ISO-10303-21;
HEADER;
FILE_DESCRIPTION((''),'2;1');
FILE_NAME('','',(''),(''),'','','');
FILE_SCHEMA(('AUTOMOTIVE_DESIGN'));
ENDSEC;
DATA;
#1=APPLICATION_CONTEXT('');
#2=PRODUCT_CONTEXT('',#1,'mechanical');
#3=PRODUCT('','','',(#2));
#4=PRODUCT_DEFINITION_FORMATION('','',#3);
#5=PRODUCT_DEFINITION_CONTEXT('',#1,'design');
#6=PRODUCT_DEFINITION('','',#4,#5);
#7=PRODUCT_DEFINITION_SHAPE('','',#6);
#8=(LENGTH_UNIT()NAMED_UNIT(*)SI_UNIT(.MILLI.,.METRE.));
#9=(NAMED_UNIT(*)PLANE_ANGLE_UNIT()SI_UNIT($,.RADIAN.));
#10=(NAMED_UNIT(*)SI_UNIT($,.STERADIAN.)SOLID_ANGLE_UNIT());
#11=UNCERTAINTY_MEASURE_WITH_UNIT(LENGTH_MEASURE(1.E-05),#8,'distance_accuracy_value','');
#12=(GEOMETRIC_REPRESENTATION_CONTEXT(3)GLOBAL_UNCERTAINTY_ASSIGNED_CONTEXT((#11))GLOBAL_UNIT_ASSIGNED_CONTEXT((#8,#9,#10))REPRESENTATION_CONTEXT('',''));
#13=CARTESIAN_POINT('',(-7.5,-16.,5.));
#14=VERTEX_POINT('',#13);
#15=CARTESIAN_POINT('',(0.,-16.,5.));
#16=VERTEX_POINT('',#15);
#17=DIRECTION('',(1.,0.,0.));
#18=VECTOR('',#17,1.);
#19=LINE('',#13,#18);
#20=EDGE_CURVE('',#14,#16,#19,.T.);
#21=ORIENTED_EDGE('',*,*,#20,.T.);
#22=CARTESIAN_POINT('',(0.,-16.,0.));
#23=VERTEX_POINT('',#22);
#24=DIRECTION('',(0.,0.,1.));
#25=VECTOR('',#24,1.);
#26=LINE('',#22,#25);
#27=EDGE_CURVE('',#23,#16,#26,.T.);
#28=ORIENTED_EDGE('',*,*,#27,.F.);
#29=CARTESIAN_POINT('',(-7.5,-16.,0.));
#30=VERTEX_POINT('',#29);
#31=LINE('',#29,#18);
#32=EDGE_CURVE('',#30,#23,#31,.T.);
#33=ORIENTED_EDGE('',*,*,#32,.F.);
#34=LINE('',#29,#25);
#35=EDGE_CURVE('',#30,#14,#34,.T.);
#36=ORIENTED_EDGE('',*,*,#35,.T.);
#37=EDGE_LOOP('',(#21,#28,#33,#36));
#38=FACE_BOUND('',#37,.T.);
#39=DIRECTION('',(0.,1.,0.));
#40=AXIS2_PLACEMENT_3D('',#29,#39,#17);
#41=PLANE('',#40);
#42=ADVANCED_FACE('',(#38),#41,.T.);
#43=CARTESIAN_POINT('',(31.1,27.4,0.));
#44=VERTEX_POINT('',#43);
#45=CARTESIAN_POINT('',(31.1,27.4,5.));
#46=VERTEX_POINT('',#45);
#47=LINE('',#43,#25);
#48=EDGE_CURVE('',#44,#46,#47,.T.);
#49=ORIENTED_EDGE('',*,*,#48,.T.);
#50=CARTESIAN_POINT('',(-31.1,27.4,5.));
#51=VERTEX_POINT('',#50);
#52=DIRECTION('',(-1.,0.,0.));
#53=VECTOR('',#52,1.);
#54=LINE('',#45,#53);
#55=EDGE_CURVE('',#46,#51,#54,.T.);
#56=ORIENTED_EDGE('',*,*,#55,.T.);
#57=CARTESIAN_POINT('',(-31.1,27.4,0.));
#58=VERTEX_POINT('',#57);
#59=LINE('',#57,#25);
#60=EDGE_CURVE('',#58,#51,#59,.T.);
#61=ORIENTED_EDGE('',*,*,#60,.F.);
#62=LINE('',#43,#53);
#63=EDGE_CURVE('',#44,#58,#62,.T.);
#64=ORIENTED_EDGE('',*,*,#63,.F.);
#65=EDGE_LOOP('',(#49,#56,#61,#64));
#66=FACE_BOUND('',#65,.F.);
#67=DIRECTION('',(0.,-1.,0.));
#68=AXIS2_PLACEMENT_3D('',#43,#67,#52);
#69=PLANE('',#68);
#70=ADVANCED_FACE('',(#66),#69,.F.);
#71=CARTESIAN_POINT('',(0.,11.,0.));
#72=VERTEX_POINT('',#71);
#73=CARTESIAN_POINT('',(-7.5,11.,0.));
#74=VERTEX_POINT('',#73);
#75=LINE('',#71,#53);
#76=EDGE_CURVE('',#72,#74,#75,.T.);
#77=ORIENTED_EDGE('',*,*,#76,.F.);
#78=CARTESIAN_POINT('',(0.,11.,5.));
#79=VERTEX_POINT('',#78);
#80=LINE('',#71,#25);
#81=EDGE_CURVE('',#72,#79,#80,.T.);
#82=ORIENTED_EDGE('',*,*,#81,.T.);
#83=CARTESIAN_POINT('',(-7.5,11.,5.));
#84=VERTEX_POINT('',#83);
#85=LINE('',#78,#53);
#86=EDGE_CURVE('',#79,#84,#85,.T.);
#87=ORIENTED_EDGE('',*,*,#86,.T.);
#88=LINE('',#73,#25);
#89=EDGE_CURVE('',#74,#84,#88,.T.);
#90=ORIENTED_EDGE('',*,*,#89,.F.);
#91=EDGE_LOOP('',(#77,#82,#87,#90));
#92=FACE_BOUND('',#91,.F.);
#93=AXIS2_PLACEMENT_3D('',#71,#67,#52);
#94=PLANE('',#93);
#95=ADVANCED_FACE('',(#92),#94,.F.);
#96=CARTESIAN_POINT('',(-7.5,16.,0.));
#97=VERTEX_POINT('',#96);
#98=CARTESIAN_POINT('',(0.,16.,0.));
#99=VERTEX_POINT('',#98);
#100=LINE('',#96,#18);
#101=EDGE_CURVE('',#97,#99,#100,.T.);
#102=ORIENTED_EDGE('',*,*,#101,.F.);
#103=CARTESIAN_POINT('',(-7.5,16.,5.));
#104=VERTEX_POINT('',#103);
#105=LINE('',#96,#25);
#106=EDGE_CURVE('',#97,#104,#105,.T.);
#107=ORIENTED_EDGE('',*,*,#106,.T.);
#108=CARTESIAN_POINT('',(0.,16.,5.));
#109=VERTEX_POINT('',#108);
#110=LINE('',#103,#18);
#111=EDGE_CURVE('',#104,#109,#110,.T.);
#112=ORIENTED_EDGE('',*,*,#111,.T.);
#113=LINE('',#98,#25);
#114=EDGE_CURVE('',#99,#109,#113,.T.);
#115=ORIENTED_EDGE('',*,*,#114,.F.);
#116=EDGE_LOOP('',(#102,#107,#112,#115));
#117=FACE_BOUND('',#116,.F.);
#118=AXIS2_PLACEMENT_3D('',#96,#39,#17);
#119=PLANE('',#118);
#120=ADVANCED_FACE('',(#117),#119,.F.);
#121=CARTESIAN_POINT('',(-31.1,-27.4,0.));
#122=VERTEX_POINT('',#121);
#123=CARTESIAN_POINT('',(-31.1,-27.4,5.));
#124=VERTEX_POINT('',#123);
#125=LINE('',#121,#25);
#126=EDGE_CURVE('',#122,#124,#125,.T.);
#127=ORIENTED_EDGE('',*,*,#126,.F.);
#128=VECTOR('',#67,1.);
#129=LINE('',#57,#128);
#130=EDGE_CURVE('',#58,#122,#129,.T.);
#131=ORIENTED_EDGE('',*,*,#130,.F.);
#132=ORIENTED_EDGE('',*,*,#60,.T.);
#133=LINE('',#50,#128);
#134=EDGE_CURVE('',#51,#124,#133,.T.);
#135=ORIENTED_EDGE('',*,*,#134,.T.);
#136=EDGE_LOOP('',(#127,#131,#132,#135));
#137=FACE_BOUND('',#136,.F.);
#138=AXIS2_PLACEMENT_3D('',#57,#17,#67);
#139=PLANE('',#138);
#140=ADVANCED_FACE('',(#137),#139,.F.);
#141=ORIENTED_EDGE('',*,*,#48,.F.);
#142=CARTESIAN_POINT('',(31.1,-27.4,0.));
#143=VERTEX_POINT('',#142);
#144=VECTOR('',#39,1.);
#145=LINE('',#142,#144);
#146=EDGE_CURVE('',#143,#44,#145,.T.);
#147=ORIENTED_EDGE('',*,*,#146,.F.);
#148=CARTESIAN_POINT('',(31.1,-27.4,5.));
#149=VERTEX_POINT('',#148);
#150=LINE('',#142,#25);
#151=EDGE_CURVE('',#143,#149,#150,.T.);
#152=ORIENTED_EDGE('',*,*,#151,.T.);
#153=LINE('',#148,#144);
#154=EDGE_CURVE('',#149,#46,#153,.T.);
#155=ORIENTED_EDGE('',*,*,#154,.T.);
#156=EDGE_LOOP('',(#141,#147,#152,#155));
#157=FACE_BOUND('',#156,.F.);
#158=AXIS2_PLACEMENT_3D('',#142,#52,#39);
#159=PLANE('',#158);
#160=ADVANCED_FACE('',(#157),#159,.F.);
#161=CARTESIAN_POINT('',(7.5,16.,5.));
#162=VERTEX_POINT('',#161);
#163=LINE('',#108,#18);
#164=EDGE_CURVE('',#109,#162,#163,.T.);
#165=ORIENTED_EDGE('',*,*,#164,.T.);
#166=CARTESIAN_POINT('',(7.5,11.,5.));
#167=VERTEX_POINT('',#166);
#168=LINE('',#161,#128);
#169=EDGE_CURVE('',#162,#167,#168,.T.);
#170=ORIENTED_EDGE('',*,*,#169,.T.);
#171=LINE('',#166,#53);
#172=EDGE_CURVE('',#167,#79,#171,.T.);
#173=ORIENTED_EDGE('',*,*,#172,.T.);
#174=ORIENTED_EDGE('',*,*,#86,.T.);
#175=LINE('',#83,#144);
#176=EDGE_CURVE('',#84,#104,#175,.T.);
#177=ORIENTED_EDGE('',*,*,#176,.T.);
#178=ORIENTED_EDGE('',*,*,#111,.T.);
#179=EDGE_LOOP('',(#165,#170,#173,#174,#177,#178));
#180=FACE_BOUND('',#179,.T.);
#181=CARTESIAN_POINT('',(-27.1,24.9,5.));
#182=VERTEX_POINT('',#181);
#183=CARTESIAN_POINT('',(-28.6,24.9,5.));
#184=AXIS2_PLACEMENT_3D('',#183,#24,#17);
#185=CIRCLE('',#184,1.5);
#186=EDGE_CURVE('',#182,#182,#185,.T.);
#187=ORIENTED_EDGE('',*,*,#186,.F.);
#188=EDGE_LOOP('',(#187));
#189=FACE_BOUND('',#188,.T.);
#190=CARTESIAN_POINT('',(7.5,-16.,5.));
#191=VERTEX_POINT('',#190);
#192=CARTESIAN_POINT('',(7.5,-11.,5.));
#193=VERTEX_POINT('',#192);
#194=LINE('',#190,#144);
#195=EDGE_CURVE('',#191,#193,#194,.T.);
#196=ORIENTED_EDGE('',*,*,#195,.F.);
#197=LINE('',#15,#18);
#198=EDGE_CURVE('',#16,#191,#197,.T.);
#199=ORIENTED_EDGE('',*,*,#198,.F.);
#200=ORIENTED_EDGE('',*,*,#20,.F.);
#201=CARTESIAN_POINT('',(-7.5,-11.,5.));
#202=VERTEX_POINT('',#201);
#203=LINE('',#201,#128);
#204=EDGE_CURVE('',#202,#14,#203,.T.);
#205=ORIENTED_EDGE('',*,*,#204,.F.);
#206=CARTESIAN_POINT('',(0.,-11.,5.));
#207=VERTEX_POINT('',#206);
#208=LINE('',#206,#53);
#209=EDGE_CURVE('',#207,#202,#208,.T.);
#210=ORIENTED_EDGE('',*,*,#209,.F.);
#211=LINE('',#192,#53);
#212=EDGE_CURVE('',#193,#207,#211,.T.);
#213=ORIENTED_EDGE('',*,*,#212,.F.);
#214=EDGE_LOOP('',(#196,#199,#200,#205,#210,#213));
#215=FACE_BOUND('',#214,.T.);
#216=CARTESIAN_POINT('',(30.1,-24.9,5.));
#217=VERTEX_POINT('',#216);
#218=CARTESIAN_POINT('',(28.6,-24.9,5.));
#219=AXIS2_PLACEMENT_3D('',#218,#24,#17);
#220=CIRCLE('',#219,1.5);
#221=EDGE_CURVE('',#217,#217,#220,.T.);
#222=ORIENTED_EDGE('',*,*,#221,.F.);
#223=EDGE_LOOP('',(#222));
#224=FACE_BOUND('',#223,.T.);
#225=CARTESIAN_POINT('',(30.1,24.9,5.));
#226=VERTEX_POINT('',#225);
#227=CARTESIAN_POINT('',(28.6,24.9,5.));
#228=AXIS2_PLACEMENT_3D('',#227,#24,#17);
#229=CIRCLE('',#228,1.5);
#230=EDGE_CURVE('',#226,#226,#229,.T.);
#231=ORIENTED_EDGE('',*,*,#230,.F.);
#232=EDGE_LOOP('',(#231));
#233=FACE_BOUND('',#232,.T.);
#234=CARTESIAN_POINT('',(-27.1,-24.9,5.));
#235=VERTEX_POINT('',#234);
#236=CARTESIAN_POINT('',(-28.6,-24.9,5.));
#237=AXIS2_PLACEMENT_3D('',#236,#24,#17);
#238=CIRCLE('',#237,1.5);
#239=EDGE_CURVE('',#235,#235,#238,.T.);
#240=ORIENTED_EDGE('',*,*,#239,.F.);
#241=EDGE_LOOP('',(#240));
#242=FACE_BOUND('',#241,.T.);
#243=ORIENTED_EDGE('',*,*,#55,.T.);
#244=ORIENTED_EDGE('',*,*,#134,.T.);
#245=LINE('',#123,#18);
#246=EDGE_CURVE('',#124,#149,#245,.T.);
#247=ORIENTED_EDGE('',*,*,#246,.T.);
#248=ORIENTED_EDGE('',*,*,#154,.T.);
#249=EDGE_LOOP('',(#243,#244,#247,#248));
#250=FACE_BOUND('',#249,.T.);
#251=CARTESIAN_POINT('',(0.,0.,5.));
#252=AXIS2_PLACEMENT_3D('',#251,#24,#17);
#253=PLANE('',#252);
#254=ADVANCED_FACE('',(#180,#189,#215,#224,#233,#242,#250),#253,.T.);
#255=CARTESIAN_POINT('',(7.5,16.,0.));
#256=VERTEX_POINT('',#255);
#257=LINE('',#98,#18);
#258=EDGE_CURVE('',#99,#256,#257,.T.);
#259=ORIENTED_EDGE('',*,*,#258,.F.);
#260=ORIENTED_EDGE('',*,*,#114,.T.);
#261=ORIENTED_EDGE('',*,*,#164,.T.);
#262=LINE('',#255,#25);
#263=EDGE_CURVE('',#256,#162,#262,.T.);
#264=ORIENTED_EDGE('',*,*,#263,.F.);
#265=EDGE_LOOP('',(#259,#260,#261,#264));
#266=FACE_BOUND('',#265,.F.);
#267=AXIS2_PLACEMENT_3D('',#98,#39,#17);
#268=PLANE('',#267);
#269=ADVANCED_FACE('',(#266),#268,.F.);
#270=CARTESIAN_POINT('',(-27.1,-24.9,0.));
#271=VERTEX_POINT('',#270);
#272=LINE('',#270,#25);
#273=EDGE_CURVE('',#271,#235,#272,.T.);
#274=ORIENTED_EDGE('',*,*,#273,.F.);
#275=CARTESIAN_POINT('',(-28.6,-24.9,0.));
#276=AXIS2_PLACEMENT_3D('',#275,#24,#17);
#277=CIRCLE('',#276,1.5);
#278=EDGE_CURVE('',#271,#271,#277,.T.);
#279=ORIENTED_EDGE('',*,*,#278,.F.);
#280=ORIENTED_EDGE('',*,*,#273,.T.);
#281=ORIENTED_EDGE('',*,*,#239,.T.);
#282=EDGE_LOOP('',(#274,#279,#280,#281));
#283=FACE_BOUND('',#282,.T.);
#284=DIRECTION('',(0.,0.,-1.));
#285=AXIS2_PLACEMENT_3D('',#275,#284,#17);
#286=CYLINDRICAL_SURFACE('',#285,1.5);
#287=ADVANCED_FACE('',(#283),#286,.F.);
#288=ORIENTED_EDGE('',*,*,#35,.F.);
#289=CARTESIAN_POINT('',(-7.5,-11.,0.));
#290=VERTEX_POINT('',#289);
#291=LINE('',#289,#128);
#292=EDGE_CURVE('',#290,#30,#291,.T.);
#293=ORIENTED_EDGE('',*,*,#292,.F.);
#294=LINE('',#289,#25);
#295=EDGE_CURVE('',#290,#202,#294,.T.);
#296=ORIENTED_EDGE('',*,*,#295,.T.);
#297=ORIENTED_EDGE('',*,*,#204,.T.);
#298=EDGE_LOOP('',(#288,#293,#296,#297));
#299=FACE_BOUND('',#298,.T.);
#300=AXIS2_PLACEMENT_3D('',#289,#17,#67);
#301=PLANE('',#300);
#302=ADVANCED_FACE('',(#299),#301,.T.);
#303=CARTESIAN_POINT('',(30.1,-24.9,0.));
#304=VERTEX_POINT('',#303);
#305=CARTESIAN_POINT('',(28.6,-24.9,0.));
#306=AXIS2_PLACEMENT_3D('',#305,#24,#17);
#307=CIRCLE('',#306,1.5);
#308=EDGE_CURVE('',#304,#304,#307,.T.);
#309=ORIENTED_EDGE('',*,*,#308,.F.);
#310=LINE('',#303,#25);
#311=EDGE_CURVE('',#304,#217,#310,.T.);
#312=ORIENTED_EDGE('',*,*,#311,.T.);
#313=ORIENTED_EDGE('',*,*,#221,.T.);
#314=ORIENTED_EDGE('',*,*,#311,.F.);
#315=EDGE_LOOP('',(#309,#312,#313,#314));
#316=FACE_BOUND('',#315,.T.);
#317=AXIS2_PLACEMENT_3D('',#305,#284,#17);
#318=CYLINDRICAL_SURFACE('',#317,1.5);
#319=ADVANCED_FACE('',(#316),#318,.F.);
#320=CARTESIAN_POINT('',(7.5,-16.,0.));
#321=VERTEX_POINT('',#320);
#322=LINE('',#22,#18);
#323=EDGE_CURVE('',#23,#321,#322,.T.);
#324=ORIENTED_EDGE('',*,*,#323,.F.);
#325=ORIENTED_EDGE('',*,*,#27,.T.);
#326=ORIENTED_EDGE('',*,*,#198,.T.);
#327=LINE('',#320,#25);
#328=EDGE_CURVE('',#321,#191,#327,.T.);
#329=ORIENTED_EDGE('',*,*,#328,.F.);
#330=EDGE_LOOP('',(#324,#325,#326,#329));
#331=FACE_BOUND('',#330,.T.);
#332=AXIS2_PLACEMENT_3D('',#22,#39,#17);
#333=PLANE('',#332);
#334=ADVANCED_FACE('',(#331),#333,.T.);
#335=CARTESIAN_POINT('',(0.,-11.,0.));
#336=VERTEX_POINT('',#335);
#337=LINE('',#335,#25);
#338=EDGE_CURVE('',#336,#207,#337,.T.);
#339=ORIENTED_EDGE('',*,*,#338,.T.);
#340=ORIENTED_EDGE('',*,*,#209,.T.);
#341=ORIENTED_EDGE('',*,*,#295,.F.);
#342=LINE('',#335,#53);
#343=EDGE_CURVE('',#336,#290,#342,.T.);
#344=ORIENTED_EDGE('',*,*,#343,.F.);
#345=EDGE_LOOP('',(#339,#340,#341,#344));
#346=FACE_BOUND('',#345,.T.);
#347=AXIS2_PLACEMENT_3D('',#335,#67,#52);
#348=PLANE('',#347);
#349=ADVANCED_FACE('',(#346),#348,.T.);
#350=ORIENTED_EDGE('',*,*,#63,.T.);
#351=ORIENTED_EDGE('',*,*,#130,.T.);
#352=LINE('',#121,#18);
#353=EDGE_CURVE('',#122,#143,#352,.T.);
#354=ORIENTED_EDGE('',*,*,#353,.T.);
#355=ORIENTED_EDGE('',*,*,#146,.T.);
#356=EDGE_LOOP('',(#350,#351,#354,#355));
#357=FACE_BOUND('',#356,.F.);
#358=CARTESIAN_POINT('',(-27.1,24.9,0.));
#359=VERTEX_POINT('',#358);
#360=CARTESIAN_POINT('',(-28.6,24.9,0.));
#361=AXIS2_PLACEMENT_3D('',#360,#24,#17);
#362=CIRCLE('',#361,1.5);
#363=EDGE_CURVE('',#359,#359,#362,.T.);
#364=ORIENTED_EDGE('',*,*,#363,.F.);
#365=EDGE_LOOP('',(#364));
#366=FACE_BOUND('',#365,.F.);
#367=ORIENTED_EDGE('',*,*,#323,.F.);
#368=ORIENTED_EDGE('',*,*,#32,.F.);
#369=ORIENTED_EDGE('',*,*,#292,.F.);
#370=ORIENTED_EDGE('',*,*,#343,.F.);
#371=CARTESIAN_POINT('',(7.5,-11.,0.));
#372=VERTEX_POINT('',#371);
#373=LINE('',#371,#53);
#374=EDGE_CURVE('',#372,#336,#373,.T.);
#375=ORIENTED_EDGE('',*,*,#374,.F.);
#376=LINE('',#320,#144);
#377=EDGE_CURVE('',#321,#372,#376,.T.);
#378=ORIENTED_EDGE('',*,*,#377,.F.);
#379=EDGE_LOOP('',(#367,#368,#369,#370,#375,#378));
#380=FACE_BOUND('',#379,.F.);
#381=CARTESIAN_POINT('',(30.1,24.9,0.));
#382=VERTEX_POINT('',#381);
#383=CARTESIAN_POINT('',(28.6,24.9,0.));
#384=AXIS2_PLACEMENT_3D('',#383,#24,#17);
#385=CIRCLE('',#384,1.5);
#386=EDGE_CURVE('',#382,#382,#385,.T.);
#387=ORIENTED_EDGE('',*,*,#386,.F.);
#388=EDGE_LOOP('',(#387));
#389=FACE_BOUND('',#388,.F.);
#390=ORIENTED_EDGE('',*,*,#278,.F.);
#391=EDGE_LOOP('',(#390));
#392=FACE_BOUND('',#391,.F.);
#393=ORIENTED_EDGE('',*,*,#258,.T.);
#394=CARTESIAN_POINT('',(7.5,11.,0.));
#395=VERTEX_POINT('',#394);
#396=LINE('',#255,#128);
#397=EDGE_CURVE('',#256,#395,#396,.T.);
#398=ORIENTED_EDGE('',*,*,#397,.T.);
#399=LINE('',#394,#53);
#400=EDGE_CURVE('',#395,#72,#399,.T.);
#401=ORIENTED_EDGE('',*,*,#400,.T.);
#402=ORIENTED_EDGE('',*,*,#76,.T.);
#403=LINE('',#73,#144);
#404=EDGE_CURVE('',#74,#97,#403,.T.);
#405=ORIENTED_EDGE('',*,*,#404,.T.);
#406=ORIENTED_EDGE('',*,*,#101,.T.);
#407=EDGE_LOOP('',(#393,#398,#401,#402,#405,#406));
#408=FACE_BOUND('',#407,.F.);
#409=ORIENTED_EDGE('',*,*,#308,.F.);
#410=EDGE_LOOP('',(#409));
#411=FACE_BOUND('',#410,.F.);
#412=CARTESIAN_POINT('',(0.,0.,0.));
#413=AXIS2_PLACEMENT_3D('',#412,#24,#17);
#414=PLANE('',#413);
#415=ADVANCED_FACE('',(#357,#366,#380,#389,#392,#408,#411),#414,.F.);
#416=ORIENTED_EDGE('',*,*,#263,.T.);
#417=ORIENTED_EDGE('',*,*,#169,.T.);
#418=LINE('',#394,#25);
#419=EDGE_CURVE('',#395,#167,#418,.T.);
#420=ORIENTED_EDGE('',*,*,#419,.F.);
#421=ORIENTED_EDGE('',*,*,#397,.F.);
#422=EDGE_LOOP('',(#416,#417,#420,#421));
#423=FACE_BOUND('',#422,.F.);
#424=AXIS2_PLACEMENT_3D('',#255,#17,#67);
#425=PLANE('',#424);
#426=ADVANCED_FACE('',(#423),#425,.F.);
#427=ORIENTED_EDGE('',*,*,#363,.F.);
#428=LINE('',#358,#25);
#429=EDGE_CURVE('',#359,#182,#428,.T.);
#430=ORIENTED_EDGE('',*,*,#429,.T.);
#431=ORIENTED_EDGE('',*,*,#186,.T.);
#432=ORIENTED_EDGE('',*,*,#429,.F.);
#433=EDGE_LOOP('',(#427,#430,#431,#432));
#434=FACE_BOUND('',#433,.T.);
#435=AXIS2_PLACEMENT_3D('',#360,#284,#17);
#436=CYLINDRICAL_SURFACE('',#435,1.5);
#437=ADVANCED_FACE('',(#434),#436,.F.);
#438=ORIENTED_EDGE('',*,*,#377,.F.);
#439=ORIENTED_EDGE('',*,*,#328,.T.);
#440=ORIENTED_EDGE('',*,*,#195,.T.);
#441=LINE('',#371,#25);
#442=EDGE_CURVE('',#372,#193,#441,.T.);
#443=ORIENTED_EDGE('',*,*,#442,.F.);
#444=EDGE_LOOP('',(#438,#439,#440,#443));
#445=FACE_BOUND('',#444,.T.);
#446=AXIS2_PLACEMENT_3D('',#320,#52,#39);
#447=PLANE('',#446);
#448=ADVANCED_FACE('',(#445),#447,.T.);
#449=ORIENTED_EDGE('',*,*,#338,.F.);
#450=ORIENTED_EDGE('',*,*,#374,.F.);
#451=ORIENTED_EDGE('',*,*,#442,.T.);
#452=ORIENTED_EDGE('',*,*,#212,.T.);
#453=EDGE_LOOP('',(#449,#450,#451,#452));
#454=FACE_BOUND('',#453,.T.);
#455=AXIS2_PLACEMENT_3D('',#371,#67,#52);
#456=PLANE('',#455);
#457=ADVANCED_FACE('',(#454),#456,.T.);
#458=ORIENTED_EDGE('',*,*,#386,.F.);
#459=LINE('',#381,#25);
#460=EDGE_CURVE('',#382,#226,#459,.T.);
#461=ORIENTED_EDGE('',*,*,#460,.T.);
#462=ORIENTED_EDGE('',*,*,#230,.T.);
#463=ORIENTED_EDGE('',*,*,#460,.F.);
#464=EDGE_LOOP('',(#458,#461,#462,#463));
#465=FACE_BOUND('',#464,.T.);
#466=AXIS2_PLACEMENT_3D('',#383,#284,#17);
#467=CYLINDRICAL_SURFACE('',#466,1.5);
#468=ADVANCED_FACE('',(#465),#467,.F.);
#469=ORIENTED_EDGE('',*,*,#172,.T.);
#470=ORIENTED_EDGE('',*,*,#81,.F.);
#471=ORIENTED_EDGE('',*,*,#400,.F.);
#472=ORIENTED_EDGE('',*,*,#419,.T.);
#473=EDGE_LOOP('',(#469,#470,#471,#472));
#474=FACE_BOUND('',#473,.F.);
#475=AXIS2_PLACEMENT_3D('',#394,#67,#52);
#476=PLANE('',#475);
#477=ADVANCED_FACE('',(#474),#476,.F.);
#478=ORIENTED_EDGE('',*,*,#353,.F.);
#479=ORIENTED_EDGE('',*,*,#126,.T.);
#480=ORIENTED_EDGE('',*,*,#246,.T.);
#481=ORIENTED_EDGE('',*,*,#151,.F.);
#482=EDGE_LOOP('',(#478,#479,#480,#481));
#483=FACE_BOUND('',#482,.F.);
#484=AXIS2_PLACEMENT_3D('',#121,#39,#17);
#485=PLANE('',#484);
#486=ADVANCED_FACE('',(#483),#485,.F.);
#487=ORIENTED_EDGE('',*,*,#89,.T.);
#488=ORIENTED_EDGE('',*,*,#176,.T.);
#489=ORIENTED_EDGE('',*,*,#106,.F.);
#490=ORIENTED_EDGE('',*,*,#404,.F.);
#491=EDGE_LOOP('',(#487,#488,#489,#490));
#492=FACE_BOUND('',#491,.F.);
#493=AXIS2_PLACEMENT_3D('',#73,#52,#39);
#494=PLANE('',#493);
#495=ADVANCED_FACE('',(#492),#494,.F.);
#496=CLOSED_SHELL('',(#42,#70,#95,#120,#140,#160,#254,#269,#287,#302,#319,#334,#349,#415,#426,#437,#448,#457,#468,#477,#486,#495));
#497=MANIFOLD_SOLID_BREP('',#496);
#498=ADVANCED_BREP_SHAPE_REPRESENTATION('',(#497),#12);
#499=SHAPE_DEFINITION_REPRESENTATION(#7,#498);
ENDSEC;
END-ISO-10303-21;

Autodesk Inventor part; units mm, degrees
ref_plane "YZ Plane" through (0, 0, 0) normal (1, 0, 0) x (0, 1, 0)
ref_plane "XZ Plane" through (0, 0, 0) normal (0, 1, 0) x (-1, 0, 0)
ref_plane "XY Plane" through (0, 0, 0) normal (0, 0, 1) x (1, 0, 0)
sketch "Esquisse1" plane through (0, 0, 0) normal (0, 0, 1) x (1, 0, 0)
  circle A0 centre (28.6, 24.9) radius 1.5 projected
  circle A1 centre (28.6, -24.9) radius 1.5 projected
  circle A2 centre (-28.6, 24.9) radius 1.5 projected
  circle A3 centre (-28.6, -24.9) radius 1.5 projected
  line L0 (31.1, 27.4) -> (-31.1, 27.4) projected
  line L1 (-31.1, 27.4) -> (-31.1, -27.4) projected
  line L2 (-31.1, -27.4) -> (31.1, -27.4) projected
  line L3 (31.1, -27.4) -> (31.1, 27.4) projected
  line L4 (-7.5, 16) -> (0, 16)
  line L5 (0, 16) -> (7.5, 16)
  line L6 (7.5, 16) -> (7.5, 11)
  line L7 (7.5, 11) -> (0, 11)
  line L8 (0, 11) -> (-7.5, 11)
  line L9 (-7.5, 11) -> (-7.5, 16)
  line L10 (0, 37.051) -> (0, -38.1524) construction
  line L11 (34.7968, 0) -> (-21.7073, 0) construction
  line L12 (-7.5, -16) -> (0, -16)
  line L13 (0, -16) -> (7.5, -16)
  line L14 (7.5, -16) -> (7.5, -11)
  line L15 (7.5, -11) -> (0, -11)
  line L16 (0, -11) -> (-7.5, -11)
  line L17 (-7.5, -11) -> (-7.5, -16)
  line L18 (0, -37.051) -> (0, 38.1524) construction
  point P0 (0, 0)
  point P1 (0, 27.4)
  point P2 (31.1, 0)
  dimension "d0" = 7.5
  dimension "d1" = 16
  dimension "d2" = 5
extrude "Extrusion1" add sketch "Esquisse1" along normal blind 5
equation "\"d0\" = 0.5 * L_attache_carte"
equation "\"d1\" = 0.5 * largeur"
equation "\"d2\" = epaisseur"
equation "\"d3\" = epaisseur"
equation "\"epaisseur\" = 5"
equation "\"dvis\" = 3"
equation "\"largeur\" = 32"
equation "\"L_attache_carte\" = 15"
equation "\"marge_attache_carte\" = 5"
equation "\"L_cubi\" = 76.6"
equation "\"taille_trou\" = 7"
equation "\"L_moteur\" = 28.3"
equation "\"marge_trou\" = 2"
equation "\"largeur_cubi\" = 76.6"
properties part number "support_card"
